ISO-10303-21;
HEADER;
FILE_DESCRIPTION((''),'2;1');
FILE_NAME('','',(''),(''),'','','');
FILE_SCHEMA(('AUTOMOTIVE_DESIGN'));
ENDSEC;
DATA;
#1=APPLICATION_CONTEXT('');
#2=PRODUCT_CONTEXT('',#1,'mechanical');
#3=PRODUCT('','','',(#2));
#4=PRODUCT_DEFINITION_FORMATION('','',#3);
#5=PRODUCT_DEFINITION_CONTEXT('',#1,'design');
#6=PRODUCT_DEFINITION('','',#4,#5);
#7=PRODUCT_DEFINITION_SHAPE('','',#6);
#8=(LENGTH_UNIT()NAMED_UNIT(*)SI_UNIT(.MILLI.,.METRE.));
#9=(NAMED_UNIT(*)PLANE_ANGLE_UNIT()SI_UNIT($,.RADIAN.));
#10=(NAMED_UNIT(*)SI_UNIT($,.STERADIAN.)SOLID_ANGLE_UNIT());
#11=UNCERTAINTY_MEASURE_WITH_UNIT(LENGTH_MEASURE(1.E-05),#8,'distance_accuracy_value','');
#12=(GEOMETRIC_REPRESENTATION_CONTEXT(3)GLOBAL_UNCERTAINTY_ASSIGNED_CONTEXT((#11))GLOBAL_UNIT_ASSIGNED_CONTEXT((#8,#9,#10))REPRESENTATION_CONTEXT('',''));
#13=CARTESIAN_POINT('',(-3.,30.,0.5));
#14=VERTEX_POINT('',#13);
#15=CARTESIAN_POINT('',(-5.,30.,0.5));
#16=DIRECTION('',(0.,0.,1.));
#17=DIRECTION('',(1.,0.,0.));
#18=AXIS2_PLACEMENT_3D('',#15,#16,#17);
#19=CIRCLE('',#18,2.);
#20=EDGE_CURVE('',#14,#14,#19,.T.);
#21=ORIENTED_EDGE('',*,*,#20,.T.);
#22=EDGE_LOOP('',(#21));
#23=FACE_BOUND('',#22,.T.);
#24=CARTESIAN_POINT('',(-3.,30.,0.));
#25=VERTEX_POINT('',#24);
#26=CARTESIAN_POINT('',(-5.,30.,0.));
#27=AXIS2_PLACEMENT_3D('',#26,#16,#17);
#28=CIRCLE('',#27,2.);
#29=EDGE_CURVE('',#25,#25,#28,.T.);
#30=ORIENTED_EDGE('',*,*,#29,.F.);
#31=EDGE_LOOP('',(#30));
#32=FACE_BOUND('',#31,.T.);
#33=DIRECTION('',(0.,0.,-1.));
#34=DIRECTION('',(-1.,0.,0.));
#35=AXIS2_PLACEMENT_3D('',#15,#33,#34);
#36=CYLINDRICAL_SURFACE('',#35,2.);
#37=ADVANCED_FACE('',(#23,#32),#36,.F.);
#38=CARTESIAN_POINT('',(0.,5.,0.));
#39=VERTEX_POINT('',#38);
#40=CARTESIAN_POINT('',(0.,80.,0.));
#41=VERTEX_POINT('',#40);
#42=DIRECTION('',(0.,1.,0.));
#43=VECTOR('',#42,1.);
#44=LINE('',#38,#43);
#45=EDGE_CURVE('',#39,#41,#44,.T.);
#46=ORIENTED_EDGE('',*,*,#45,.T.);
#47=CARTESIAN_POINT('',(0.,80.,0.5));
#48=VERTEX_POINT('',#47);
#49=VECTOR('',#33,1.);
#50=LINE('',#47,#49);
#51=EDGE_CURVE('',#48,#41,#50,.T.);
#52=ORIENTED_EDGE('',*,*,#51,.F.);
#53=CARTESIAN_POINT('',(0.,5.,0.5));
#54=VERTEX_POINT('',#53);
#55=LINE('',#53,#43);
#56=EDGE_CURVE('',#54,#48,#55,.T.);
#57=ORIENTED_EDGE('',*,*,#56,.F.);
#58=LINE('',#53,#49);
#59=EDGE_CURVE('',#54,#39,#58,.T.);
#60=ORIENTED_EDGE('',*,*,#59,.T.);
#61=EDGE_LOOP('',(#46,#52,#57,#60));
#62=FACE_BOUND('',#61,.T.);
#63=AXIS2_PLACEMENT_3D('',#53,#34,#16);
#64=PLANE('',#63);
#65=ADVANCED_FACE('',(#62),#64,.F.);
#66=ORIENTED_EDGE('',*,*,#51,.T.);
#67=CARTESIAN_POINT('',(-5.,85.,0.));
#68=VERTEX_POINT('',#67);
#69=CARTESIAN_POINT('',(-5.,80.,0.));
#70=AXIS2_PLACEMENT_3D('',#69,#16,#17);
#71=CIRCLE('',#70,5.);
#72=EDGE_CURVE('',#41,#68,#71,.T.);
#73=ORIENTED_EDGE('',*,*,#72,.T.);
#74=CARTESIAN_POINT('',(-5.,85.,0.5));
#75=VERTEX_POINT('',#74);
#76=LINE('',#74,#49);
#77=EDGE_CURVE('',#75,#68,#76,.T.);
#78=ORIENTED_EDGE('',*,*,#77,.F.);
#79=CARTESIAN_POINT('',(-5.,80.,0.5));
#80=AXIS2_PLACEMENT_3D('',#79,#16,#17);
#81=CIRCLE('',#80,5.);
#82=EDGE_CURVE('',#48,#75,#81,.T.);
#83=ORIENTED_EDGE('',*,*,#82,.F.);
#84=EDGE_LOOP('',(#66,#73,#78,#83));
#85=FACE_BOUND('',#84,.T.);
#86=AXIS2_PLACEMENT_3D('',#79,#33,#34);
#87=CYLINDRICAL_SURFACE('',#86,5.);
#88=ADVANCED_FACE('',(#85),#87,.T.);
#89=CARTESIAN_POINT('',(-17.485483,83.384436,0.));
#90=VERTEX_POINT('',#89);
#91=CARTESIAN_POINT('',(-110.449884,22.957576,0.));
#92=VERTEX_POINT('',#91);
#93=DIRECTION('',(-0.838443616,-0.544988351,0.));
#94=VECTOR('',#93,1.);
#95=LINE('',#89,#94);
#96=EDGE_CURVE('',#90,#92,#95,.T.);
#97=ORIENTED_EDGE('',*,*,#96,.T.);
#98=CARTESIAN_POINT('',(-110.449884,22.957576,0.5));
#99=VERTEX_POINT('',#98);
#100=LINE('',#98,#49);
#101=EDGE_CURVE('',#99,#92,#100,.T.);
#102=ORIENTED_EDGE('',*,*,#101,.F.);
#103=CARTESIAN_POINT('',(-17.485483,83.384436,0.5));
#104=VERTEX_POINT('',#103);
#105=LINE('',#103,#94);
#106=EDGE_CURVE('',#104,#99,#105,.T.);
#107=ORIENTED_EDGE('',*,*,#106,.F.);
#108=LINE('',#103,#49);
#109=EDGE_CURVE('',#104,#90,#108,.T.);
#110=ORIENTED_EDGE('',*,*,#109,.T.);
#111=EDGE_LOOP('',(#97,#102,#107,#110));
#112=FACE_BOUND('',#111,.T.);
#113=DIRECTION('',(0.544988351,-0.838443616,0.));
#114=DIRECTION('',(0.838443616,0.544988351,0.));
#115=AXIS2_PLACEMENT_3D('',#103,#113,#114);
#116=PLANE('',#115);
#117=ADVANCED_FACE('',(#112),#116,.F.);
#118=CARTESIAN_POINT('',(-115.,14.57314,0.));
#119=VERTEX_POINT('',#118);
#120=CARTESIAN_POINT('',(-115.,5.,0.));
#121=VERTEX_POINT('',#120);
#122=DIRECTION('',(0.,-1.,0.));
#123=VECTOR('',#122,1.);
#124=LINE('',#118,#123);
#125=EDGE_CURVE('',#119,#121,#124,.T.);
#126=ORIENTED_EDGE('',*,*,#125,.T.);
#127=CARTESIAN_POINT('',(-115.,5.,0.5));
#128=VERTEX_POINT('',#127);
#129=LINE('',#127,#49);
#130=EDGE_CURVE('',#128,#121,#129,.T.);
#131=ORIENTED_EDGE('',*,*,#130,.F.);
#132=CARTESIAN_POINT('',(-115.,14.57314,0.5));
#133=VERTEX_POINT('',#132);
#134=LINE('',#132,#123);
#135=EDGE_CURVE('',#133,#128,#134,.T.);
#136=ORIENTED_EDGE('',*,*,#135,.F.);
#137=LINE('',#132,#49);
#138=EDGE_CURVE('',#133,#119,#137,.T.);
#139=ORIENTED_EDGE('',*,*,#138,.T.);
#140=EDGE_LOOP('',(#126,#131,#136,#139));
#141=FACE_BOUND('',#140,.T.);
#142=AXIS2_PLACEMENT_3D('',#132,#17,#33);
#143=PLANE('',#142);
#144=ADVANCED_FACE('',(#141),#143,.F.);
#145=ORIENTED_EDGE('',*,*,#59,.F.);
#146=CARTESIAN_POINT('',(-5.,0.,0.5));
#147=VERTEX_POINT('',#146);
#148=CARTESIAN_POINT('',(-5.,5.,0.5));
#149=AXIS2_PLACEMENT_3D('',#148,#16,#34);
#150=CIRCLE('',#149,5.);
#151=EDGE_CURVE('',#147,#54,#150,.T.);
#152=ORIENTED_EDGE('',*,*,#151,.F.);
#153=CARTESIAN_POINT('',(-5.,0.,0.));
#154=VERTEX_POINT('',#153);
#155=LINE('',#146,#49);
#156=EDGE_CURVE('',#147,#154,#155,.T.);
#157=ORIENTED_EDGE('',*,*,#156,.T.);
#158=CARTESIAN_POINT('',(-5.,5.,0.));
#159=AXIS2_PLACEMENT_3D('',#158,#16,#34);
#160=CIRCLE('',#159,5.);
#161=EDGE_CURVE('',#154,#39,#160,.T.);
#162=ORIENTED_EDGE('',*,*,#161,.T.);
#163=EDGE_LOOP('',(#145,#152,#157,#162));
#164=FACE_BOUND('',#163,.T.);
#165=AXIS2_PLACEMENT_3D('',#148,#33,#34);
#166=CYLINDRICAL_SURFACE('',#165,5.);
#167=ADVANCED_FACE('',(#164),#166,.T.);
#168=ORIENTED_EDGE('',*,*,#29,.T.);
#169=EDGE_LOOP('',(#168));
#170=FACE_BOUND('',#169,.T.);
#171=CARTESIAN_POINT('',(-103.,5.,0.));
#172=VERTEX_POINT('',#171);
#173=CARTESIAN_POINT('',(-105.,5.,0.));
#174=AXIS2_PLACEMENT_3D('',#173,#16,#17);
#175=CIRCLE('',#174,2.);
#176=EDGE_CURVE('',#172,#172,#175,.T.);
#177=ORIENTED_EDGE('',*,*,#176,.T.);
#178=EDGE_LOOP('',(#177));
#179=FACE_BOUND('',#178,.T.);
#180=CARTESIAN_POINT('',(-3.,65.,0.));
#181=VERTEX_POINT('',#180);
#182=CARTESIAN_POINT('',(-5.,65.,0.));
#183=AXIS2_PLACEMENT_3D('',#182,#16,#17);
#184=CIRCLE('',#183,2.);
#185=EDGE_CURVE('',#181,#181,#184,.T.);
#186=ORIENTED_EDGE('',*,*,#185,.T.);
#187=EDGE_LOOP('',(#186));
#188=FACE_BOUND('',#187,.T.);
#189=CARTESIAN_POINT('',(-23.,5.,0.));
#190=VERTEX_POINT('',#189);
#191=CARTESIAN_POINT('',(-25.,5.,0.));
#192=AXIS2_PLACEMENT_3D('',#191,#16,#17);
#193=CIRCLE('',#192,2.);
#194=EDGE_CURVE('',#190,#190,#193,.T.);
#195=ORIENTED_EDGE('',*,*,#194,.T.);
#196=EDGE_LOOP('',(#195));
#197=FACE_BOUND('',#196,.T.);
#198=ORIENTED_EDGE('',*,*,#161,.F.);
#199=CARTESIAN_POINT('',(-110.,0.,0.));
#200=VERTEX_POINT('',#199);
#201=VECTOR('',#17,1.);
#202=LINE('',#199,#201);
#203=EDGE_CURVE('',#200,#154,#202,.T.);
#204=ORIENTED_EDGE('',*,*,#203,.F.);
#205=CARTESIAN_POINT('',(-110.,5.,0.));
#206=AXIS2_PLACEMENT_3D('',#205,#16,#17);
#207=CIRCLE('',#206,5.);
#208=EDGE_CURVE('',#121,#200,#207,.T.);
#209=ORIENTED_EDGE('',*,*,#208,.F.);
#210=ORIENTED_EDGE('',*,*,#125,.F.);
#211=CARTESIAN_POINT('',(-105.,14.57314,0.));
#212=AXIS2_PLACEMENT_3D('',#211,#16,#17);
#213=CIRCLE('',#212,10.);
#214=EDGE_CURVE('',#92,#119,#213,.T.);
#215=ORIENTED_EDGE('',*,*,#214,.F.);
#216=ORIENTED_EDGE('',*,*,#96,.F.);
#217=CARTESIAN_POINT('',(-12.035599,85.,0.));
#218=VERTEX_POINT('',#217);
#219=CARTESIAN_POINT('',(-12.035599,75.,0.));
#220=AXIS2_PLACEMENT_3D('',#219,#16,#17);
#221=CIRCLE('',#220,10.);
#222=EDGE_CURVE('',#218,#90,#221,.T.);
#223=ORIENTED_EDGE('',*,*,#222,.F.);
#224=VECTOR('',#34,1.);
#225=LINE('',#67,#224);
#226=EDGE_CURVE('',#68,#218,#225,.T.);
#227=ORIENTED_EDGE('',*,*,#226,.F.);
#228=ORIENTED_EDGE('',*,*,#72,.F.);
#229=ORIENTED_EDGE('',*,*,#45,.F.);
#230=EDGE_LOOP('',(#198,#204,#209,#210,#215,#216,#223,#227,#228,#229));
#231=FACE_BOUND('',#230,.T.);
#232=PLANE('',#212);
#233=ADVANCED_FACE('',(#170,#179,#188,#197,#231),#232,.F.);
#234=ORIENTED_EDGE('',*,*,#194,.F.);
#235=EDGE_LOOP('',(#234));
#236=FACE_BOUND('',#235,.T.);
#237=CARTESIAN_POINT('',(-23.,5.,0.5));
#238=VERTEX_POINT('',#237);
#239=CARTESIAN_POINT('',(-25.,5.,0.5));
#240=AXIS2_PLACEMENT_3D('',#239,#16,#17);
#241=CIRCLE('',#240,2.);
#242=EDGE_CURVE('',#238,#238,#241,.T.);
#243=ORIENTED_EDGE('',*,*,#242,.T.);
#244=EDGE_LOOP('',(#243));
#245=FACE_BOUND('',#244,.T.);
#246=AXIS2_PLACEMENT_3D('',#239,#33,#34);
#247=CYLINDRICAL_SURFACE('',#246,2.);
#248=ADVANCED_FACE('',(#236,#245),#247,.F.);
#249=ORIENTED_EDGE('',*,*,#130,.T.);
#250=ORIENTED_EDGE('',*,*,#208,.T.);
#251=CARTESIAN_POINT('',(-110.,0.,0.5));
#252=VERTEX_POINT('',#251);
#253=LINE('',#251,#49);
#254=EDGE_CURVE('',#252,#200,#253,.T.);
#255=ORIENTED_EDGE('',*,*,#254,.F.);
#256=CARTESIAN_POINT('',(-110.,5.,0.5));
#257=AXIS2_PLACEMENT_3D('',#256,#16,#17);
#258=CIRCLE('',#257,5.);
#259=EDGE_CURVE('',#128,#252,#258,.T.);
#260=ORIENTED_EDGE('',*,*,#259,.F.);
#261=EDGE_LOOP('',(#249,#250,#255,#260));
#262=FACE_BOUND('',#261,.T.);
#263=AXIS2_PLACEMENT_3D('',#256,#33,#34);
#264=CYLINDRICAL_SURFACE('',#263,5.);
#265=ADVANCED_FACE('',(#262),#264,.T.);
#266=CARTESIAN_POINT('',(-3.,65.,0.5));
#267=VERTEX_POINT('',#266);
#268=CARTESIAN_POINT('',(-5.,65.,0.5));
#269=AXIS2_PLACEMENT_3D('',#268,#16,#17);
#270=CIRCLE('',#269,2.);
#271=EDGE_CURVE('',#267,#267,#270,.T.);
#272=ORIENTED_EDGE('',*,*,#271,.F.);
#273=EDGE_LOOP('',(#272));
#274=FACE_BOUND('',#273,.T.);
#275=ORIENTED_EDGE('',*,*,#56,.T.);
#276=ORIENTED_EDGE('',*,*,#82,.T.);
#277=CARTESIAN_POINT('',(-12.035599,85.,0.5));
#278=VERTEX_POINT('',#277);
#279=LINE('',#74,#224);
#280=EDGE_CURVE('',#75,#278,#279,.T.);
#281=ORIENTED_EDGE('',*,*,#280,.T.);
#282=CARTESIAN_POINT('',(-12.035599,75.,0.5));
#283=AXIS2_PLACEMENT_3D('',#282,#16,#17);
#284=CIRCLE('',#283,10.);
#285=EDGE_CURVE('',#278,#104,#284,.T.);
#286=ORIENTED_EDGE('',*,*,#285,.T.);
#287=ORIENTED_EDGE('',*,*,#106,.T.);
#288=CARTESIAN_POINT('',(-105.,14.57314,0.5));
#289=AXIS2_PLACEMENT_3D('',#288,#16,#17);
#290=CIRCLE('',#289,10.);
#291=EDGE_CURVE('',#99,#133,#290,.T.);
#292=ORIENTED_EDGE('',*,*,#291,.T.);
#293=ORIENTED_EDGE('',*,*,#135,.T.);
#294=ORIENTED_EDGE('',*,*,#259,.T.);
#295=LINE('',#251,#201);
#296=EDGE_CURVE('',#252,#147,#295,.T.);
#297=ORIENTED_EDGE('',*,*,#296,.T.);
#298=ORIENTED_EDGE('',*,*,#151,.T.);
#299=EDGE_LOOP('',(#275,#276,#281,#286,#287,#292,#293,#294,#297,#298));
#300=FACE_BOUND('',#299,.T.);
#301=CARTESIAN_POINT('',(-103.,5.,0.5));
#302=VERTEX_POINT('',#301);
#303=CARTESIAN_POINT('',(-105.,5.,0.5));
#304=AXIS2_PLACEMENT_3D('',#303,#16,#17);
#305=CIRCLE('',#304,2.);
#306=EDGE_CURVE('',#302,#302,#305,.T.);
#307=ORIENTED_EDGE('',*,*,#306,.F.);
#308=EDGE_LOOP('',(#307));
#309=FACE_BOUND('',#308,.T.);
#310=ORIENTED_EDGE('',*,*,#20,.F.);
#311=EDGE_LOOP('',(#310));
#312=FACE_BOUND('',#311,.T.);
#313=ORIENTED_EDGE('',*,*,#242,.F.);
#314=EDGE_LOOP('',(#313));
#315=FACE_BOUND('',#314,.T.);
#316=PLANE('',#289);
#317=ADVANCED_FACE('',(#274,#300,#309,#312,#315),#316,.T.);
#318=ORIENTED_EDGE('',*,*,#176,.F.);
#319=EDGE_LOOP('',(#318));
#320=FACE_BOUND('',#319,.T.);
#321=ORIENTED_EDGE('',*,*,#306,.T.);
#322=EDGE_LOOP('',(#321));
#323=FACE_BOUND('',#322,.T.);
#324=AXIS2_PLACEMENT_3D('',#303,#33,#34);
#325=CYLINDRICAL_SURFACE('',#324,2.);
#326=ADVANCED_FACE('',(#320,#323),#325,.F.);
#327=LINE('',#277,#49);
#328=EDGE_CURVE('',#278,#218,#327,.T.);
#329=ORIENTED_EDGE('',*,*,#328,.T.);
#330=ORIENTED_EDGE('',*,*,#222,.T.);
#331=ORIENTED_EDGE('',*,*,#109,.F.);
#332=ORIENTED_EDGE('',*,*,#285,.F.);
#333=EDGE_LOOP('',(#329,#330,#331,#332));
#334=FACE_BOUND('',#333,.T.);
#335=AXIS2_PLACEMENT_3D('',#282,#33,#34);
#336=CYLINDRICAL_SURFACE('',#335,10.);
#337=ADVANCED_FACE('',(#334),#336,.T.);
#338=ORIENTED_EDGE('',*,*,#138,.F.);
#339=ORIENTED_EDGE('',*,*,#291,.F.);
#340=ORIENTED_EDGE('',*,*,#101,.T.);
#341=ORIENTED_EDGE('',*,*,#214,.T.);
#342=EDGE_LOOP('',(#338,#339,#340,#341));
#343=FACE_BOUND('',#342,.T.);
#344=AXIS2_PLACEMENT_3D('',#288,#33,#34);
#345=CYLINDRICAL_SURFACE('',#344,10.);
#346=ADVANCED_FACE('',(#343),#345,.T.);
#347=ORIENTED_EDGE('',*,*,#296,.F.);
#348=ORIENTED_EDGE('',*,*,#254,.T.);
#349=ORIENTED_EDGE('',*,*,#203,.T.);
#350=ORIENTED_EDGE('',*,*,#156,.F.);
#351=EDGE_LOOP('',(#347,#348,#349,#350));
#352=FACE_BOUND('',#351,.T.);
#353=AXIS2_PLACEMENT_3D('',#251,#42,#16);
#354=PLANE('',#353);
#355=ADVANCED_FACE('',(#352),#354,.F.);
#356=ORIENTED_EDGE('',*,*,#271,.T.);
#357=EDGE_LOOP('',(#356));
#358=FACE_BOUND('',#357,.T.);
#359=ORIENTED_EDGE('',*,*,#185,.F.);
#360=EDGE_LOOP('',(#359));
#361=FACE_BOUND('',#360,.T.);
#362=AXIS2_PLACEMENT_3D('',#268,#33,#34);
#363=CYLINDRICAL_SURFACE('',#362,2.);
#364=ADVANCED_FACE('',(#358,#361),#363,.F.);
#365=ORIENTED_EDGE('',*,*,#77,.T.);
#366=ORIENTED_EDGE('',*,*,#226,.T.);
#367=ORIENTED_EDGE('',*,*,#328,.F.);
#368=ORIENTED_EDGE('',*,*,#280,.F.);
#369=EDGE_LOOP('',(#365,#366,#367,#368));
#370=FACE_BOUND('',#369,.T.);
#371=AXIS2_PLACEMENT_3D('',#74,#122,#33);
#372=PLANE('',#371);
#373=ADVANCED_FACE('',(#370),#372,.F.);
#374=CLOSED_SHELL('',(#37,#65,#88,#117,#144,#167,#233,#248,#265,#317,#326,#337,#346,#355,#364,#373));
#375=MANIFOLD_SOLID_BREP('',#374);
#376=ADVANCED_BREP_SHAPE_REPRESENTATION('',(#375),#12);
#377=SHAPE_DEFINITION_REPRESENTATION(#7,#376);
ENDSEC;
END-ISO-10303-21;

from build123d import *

# Parameters (mm, degrees)
SKETCH1_R           = 2
BOSS_EXTRUDE1_DEPTH = 0.5


with BuildPart() as part:
    # Sketch1 → Boss-Extrude1 (new body)
    with BuildSketch(Plane.XY):
        with BuildLine():
            Line((0, 5), (0, 80))
            ThreePointArc((0, 80), (-1.464466094, 83.535533906), (-5, 85))
            Line((-5, 85), (-12.03559932, 85))
            ThreePointArc((-12.03559932, 85), (-14.877749771, 84.587605583), (-17.485482826, 83.384436163))
            Line((-17.485482826, 83.384436163), (-110.449883506, 22.957575721))
            ThreePointArc((-110.449883506, 22.957575721), (-113.78916478, 19.342896624), (-115, 14.573139558))
            Line((-115, 14.573139558), (-115, 5))
            ThreePointArc((-115, 5), (-113.535533906, 1.464466094), (-110, 0))
            Line((-110, 0), (-5, 0))
            ThreePointArc((-5, 0), (-1.464466094, 1.464466094), (0, 5))
        make_face()
        with Locations((-105, 5)):
            Circle(SKETCH1_R, mode=Mode.SUBTRACT)
        with Locations((-25, 5)):
            Circle(SKETCH1_R, mode=Mode.SUBTRACT)
        with Locations((-5, 30)):
            Circle(SKETCH1_R, mode=Mode.SUBTRACT)
        with Locations((-5, 65)):
            Circle(SKETCH1_R, mode=Mode.SUBTRACT)
    extrude(amount=BOSS_EXTRUDE1_DEPTH)


solid = part.part
